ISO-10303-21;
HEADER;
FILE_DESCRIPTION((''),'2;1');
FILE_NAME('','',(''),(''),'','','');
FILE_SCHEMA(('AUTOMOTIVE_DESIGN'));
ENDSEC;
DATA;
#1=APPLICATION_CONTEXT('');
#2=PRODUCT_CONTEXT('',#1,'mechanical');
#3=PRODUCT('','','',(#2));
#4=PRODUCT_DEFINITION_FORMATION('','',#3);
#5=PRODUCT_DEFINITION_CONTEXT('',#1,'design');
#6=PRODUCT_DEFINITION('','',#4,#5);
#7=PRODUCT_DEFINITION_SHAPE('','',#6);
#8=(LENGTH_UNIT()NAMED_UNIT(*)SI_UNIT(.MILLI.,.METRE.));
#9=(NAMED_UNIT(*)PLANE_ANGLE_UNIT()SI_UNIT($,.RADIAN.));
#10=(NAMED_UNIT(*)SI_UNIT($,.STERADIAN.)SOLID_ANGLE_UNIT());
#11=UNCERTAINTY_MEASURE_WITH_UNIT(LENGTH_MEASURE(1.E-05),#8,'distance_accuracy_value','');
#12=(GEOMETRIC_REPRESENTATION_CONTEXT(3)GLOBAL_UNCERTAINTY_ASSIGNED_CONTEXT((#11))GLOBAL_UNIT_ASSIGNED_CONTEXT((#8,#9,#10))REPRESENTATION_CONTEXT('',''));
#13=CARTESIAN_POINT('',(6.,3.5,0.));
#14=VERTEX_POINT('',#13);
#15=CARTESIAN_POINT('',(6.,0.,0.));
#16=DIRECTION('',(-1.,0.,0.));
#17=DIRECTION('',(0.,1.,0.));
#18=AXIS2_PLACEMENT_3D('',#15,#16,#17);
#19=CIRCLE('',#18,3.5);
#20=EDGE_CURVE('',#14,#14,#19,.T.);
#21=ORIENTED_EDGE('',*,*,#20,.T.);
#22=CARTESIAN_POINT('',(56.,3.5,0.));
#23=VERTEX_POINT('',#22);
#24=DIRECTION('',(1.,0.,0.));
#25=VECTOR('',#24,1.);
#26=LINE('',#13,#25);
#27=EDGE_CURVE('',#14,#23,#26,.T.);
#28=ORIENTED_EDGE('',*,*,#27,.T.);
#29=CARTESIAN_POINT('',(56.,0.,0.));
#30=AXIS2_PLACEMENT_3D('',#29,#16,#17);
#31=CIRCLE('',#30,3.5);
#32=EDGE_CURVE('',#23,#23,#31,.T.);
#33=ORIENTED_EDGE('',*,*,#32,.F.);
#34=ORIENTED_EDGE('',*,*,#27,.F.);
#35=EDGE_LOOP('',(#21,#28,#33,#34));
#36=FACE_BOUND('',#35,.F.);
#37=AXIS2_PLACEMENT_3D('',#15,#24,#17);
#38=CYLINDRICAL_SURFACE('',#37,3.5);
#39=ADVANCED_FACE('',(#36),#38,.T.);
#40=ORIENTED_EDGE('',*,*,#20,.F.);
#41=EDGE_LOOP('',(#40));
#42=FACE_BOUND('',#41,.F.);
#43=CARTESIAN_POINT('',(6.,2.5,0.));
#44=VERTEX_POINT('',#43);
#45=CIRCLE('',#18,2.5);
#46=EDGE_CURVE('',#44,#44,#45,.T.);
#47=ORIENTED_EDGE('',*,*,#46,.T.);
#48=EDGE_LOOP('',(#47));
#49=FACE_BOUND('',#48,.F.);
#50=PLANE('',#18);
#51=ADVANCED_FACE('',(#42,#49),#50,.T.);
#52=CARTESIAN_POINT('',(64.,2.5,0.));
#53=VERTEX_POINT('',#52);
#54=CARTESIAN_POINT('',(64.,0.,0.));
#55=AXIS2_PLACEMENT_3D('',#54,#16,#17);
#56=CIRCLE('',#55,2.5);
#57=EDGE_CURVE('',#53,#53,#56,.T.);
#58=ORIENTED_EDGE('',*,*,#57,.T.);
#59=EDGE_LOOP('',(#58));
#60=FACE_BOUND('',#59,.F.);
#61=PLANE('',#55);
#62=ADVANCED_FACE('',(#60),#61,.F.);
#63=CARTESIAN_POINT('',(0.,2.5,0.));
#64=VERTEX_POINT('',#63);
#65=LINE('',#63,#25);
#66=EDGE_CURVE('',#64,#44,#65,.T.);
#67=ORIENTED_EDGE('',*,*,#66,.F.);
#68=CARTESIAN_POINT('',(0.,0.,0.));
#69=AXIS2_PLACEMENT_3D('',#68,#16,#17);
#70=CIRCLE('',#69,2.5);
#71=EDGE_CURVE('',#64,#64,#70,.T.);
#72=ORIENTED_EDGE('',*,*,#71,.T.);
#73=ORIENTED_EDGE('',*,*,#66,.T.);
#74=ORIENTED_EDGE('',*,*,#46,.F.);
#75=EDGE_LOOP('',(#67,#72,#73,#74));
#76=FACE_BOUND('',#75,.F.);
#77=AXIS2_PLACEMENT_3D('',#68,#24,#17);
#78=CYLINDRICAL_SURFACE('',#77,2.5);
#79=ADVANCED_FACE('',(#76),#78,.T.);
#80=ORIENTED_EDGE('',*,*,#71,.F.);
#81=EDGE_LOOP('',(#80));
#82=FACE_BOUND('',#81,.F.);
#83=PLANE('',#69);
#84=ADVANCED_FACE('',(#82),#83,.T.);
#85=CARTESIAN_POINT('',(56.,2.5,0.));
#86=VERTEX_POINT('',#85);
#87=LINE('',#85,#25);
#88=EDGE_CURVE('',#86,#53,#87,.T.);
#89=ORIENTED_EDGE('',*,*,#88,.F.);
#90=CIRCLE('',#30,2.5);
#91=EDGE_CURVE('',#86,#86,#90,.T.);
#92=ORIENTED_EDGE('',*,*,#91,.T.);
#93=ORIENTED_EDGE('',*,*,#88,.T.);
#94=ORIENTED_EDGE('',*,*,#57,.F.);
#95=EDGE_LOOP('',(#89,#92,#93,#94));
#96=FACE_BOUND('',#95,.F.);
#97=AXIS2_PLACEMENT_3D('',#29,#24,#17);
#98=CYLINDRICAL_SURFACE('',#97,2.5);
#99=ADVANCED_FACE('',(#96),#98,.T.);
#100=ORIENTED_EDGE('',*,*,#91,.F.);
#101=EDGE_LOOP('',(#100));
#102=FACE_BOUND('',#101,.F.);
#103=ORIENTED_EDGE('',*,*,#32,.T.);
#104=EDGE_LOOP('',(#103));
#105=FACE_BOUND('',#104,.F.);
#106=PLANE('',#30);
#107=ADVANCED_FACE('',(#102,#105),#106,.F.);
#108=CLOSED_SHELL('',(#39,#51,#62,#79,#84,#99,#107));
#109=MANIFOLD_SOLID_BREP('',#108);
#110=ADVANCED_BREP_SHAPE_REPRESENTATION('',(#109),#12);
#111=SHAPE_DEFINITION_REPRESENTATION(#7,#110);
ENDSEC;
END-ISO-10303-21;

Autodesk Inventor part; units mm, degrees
ref_plane "YZ Plane" through (0, 0, 0) normal (1, 0, 0) x (0, 1, 0)
ref_plane "XZ Plane" through (0, 0, 0) normal (0, 1, 0) x (-1, 0, 0)
ref_plane "XY Plane" through (0, 0, 0) normal (0, 0, 1) x (1, 0, 0)
sketch "Sketch1" plane through (0, 0, 0) normal (0, 0, 1) x (1, 0, 0)
  line L0 (0, 0) -> (0, 2.5)
  line L1 (0, 2.5) -> (6, 2.5)
  line L2 (6, 2.5) -> (6, 3.5)
  line L3 (6, 3.5) -> (56, 3.5)
  line L4 (56, 3.5) -> (56, 2.5)
  line L5 (56, 2.5) -> (64, 2.5)
  line L6 (64, 2.5) -> (64, 0)
  line L7 (64, 0) -> (0, 0)
  dimension "d0" = 5
  dimension "d1" = 7
  dimension "d2" = 8
  dimension "d3" = 6
  dimension "d4" = 50
revolve "Revolution1" add sketch "Sketch1" angle 360 about axis through (64, 0, 0) along (-1, 0, 0)
thread "Thread1" size "M5x0.8" class "6g" standard "ISO Metric profile" full length
thread "Thread2" size "M5x0.8" class "6g" standard "ISO Metric profile" full length
properties part number "41"
